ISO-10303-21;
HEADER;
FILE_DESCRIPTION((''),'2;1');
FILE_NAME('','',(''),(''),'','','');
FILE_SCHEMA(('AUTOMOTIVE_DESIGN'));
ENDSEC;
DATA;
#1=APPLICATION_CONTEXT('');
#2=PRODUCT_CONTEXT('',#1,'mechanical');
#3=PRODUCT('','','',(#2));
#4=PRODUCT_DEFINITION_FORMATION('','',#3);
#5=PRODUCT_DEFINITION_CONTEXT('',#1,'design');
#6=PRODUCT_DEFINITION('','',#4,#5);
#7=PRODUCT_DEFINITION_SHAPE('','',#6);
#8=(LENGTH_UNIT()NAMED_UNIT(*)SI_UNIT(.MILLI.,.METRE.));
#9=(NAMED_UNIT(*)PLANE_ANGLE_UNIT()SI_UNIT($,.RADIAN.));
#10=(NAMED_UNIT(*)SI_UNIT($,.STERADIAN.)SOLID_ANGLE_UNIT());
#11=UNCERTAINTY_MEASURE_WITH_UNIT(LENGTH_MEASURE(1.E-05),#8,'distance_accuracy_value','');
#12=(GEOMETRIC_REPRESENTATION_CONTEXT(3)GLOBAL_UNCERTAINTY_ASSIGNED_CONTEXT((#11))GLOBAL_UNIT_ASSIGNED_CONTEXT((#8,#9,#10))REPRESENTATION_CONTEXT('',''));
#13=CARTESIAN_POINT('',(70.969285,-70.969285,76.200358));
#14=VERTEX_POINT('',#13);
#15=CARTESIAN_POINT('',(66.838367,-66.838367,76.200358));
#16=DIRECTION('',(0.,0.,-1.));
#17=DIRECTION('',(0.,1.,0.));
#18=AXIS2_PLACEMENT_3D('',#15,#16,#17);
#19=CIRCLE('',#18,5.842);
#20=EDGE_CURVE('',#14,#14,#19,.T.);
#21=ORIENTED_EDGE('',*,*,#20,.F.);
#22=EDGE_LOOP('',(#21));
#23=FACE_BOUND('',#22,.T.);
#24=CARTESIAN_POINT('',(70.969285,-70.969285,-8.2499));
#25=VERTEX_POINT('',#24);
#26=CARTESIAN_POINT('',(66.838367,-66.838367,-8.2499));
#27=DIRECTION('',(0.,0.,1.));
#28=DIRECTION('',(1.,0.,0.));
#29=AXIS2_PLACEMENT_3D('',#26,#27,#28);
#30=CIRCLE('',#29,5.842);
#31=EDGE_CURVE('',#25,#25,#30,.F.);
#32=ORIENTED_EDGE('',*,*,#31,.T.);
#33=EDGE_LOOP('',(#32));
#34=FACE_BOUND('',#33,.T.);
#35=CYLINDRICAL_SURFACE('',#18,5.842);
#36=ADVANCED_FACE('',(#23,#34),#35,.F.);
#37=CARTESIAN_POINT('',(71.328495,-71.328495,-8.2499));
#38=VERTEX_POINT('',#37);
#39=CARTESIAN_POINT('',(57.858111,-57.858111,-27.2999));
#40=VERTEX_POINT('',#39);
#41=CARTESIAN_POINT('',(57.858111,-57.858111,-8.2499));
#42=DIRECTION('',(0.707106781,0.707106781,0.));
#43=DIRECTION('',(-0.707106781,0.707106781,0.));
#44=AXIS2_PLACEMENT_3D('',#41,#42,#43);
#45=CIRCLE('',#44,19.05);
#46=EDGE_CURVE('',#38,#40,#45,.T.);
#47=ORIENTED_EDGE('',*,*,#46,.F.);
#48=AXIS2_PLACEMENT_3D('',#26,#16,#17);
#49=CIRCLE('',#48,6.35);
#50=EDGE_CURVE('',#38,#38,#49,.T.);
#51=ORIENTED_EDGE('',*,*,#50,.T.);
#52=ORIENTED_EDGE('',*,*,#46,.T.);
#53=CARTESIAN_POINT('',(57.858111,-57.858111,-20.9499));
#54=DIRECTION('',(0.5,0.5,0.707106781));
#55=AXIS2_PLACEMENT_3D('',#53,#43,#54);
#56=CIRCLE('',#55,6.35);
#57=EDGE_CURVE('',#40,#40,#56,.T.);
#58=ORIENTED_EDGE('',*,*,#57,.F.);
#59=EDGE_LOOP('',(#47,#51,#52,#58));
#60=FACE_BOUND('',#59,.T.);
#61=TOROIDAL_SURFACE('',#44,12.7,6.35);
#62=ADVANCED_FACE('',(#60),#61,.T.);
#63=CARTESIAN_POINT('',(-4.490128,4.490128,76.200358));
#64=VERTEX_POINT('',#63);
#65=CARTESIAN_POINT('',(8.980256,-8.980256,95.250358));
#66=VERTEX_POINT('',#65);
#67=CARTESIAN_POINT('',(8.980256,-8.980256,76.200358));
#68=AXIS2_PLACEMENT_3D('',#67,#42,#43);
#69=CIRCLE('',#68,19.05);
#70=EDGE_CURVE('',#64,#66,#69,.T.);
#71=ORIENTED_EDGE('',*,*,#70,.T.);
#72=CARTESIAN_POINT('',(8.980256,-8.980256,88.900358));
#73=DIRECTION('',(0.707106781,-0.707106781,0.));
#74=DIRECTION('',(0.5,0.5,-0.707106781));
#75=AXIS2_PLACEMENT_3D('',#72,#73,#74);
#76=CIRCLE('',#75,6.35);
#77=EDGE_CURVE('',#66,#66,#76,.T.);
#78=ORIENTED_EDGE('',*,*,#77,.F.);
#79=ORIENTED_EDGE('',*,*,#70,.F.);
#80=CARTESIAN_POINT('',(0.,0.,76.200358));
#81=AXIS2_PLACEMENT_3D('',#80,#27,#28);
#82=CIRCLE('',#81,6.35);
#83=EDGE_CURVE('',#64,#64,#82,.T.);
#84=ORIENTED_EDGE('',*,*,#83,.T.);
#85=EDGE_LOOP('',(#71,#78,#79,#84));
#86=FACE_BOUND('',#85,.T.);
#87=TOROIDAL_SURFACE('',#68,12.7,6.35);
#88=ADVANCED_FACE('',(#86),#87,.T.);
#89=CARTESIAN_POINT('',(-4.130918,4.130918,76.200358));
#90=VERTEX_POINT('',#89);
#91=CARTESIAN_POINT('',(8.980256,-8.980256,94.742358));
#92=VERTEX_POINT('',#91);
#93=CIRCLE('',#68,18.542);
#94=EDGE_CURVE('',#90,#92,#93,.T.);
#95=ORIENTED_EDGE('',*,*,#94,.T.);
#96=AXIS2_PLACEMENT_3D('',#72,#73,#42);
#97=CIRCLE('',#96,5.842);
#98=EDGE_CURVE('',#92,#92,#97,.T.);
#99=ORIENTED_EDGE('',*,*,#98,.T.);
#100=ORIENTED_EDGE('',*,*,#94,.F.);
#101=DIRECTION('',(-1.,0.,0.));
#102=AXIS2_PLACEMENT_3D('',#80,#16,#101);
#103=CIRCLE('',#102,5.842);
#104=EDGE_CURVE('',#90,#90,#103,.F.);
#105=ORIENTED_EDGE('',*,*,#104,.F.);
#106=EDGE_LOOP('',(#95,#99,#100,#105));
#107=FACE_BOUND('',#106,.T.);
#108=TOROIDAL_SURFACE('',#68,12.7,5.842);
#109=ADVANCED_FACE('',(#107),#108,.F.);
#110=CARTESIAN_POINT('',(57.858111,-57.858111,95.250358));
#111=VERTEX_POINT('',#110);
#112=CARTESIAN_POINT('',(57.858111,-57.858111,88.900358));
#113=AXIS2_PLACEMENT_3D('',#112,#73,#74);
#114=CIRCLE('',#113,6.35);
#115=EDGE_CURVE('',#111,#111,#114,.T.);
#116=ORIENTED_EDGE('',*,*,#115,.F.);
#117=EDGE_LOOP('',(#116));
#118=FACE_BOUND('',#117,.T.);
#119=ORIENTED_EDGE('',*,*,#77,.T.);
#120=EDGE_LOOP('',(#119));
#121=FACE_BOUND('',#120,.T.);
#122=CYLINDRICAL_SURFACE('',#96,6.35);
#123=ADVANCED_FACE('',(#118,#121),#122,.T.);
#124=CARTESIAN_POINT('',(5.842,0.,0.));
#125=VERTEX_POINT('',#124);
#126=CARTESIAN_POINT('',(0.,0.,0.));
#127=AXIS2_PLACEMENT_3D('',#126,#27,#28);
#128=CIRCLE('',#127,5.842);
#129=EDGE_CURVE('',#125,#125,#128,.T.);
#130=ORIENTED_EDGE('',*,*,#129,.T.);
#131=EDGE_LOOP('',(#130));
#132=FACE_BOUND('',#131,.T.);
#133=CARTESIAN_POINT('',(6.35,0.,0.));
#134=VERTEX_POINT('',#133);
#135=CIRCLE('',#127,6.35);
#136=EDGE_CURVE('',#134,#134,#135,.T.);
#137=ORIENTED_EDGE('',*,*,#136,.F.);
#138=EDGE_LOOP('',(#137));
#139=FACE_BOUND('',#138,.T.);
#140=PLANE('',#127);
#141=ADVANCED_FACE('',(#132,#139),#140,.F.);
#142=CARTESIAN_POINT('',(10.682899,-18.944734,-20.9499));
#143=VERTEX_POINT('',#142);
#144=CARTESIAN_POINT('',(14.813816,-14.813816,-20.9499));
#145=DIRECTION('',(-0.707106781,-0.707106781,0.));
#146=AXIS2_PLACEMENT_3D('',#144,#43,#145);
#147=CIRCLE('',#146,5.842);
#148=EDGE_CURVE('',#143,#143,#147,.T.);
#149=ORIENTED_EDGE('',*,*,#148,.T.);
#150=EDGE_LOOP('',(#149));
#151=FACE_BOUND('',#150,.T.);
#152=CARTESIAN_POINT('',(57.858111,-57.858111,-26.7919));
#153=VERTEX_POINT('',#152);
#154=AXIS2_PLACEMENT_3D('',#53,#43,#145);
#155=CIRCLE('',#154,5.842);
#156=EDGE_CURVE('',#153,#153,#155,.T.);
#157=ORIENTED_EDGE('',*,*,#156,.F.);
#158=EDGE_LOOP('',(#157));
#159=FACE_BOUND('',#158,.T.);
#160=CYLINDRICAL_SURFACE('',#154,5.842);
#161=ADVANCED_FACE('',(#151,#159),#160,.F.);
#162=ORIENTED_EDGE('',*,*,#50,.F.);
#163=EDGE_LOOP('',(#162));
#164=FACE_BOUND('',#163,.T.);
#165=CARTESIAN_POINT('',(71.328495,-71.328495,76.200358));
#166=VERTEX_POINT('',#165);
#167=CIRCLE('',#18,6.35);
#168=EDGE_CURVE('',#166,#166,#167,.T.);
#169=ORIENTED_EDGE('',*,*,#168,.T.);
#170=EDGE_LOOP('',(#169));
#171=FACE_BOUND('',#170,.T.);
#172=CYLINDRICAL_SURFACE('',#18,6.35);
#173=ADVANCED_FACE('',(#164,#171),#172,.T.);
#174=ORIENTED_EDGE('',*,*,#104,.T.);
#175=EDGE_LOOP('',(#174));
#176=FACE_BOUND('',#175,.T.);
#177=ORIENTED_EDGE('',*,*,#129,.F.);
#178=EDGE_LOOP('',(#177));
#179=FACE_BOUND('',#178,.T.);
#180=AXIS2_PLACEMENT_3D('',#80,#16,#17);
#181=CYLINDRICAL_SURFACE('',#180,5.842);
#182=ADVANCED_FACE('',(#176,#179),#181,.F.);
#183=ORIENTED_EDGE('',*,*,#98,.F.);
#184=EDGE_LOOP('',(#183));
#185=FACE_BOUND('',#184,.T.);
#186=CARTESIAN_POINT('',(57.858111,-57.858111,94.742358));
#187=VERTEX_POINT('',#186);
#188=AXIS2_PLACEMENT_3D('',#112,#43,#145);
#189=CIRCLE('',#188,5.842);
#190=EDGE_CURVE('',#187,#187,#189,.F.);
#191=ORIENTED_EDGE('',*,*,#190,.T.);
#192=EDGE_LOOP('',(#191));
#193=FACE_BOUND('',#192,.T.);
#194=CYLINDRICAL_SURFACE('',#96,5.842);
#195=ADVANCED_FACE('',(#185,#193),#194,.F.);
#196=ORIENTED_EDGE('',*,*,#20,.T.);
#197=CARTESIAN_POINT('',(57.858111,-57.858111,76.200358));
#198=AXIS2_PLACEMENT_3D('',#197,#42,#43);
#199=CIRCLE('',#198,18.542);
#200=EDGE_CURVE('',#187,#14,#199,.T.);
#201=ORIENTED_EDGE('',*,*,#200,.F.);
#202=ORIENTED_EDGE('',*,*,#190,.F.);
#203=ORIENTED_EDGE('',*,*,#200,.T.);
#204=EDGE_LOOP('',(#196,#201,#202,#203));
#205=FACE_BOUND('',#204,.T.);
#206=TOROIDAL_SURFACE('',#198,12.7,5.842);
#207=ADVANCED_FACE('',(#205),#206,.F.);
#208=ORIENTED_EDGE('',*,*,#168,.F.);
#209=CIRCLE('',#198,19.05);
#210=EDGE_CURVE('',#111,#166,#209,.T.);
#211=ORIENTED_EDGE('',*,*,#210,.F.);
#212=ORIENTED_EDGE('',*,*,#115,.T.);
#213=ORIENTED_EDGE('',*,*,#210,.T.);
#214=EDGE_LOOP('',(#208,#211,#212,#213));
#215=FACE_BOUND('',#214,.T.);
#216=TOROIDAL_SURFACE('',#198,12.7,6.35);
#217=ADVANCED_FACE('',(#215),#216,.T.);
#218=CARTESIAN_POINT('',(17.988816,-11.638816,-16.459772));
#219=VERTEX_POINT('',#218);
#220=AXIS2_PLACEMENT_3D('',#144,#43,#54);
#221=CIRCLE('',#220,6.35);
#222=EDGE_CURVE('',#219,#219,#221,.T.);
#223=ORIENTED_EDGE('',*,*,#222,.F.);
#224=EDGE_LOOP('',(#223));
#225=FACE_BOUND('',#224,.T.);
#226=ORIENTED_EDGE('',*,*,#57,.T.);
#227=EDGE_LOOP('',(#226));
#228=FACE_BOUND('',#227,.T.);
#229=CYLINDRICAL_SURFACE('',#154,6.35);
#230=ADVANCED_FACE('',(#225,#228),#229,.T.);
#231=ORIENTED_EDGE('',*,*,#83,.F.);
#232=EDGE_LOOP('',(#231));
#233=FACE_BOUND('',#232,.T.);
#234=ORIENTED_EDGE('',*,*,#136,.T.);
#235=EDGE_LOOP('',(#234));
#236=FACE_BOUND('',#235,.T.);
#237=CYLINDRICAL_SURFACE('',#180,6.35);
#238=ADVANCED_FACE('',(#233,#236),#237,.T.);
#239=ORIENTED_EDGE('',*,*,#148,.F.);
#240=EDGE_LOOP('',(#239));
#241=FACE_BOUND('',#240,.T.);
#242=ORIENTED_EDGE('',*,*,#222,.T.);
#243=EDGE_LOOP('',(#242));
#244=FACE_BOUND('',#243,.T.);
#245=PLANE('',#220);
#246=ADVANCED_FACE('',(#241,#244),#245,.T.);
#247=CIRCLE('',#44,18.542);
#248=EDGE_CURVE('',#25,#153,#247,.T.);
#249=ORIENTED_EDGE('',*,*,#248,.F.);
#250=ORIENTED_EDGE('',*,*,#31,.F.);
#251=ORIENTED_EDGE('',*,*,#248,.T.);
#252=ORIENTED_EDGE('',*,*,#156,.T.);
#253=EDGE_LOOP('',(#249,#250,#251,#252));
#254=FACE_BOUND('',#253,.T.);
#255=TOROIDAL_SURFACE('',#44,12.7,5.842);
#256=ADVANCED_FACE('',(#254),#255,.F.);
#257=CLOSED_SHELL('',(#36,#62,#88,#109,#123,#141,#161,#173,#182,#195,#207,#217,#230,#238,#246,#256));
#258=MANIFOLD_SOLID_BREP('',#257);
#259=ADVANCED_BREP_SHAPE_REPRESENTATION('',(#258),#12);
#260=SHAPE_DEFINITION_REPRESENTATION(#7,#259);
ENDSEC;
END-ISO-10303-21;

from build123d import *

# Parameters (mm, degrees)
PIPESKETCH_R   = 6.35
PIPESKETCH_R_2 = 5.842


with BuildPart() as part:
    # ThinSweep: sweep along a curve in space
    with BuildLine() as thinsweep_path:
        Line((0, 0, 0), (0, 0, 76.200357547))
        ThreePointArc((8.980256121, -8.980256121, 88.900357547), (2.630256121, -2.630256121, 85.180613669), (0, 0, 76.200357547))
        Line((8.980256121, -8.980256121, 88.900357547), (57.858111195, -57.858111195, 88.900357547))
        ThreePointArc((66.838367316, -66.838367316, 76.200357547), (64.208111195, -64.208111195, 85.180613669), (57.858111195, -57.858111195, 88.900357547))
        Line((66.838367316, -66.838367316, -8.2499), (66.838367316, -66.838367316, 76.200357547))
        ThreePointArc((57.858111195, -57.858111195, -20.9499), (64.208111195, -64.208111195, -17.230156121), (66.838367316, -66.838367316, -8.2499))
        Line((14.813816355, -14.813816355, -20.9499), (57.858111195, -57.858111195, -20.9499))
    # PipeSketch → ThinSweep (sweep)
    with BuildSketch(Plane.XY):
        Circle(PIPESKETCH_R)
        Circle(PIPESKETCH_R_2, mode=Mode.SUBTRACT)
    sweep(path=thinsweep_path.line)


solid = part.part
